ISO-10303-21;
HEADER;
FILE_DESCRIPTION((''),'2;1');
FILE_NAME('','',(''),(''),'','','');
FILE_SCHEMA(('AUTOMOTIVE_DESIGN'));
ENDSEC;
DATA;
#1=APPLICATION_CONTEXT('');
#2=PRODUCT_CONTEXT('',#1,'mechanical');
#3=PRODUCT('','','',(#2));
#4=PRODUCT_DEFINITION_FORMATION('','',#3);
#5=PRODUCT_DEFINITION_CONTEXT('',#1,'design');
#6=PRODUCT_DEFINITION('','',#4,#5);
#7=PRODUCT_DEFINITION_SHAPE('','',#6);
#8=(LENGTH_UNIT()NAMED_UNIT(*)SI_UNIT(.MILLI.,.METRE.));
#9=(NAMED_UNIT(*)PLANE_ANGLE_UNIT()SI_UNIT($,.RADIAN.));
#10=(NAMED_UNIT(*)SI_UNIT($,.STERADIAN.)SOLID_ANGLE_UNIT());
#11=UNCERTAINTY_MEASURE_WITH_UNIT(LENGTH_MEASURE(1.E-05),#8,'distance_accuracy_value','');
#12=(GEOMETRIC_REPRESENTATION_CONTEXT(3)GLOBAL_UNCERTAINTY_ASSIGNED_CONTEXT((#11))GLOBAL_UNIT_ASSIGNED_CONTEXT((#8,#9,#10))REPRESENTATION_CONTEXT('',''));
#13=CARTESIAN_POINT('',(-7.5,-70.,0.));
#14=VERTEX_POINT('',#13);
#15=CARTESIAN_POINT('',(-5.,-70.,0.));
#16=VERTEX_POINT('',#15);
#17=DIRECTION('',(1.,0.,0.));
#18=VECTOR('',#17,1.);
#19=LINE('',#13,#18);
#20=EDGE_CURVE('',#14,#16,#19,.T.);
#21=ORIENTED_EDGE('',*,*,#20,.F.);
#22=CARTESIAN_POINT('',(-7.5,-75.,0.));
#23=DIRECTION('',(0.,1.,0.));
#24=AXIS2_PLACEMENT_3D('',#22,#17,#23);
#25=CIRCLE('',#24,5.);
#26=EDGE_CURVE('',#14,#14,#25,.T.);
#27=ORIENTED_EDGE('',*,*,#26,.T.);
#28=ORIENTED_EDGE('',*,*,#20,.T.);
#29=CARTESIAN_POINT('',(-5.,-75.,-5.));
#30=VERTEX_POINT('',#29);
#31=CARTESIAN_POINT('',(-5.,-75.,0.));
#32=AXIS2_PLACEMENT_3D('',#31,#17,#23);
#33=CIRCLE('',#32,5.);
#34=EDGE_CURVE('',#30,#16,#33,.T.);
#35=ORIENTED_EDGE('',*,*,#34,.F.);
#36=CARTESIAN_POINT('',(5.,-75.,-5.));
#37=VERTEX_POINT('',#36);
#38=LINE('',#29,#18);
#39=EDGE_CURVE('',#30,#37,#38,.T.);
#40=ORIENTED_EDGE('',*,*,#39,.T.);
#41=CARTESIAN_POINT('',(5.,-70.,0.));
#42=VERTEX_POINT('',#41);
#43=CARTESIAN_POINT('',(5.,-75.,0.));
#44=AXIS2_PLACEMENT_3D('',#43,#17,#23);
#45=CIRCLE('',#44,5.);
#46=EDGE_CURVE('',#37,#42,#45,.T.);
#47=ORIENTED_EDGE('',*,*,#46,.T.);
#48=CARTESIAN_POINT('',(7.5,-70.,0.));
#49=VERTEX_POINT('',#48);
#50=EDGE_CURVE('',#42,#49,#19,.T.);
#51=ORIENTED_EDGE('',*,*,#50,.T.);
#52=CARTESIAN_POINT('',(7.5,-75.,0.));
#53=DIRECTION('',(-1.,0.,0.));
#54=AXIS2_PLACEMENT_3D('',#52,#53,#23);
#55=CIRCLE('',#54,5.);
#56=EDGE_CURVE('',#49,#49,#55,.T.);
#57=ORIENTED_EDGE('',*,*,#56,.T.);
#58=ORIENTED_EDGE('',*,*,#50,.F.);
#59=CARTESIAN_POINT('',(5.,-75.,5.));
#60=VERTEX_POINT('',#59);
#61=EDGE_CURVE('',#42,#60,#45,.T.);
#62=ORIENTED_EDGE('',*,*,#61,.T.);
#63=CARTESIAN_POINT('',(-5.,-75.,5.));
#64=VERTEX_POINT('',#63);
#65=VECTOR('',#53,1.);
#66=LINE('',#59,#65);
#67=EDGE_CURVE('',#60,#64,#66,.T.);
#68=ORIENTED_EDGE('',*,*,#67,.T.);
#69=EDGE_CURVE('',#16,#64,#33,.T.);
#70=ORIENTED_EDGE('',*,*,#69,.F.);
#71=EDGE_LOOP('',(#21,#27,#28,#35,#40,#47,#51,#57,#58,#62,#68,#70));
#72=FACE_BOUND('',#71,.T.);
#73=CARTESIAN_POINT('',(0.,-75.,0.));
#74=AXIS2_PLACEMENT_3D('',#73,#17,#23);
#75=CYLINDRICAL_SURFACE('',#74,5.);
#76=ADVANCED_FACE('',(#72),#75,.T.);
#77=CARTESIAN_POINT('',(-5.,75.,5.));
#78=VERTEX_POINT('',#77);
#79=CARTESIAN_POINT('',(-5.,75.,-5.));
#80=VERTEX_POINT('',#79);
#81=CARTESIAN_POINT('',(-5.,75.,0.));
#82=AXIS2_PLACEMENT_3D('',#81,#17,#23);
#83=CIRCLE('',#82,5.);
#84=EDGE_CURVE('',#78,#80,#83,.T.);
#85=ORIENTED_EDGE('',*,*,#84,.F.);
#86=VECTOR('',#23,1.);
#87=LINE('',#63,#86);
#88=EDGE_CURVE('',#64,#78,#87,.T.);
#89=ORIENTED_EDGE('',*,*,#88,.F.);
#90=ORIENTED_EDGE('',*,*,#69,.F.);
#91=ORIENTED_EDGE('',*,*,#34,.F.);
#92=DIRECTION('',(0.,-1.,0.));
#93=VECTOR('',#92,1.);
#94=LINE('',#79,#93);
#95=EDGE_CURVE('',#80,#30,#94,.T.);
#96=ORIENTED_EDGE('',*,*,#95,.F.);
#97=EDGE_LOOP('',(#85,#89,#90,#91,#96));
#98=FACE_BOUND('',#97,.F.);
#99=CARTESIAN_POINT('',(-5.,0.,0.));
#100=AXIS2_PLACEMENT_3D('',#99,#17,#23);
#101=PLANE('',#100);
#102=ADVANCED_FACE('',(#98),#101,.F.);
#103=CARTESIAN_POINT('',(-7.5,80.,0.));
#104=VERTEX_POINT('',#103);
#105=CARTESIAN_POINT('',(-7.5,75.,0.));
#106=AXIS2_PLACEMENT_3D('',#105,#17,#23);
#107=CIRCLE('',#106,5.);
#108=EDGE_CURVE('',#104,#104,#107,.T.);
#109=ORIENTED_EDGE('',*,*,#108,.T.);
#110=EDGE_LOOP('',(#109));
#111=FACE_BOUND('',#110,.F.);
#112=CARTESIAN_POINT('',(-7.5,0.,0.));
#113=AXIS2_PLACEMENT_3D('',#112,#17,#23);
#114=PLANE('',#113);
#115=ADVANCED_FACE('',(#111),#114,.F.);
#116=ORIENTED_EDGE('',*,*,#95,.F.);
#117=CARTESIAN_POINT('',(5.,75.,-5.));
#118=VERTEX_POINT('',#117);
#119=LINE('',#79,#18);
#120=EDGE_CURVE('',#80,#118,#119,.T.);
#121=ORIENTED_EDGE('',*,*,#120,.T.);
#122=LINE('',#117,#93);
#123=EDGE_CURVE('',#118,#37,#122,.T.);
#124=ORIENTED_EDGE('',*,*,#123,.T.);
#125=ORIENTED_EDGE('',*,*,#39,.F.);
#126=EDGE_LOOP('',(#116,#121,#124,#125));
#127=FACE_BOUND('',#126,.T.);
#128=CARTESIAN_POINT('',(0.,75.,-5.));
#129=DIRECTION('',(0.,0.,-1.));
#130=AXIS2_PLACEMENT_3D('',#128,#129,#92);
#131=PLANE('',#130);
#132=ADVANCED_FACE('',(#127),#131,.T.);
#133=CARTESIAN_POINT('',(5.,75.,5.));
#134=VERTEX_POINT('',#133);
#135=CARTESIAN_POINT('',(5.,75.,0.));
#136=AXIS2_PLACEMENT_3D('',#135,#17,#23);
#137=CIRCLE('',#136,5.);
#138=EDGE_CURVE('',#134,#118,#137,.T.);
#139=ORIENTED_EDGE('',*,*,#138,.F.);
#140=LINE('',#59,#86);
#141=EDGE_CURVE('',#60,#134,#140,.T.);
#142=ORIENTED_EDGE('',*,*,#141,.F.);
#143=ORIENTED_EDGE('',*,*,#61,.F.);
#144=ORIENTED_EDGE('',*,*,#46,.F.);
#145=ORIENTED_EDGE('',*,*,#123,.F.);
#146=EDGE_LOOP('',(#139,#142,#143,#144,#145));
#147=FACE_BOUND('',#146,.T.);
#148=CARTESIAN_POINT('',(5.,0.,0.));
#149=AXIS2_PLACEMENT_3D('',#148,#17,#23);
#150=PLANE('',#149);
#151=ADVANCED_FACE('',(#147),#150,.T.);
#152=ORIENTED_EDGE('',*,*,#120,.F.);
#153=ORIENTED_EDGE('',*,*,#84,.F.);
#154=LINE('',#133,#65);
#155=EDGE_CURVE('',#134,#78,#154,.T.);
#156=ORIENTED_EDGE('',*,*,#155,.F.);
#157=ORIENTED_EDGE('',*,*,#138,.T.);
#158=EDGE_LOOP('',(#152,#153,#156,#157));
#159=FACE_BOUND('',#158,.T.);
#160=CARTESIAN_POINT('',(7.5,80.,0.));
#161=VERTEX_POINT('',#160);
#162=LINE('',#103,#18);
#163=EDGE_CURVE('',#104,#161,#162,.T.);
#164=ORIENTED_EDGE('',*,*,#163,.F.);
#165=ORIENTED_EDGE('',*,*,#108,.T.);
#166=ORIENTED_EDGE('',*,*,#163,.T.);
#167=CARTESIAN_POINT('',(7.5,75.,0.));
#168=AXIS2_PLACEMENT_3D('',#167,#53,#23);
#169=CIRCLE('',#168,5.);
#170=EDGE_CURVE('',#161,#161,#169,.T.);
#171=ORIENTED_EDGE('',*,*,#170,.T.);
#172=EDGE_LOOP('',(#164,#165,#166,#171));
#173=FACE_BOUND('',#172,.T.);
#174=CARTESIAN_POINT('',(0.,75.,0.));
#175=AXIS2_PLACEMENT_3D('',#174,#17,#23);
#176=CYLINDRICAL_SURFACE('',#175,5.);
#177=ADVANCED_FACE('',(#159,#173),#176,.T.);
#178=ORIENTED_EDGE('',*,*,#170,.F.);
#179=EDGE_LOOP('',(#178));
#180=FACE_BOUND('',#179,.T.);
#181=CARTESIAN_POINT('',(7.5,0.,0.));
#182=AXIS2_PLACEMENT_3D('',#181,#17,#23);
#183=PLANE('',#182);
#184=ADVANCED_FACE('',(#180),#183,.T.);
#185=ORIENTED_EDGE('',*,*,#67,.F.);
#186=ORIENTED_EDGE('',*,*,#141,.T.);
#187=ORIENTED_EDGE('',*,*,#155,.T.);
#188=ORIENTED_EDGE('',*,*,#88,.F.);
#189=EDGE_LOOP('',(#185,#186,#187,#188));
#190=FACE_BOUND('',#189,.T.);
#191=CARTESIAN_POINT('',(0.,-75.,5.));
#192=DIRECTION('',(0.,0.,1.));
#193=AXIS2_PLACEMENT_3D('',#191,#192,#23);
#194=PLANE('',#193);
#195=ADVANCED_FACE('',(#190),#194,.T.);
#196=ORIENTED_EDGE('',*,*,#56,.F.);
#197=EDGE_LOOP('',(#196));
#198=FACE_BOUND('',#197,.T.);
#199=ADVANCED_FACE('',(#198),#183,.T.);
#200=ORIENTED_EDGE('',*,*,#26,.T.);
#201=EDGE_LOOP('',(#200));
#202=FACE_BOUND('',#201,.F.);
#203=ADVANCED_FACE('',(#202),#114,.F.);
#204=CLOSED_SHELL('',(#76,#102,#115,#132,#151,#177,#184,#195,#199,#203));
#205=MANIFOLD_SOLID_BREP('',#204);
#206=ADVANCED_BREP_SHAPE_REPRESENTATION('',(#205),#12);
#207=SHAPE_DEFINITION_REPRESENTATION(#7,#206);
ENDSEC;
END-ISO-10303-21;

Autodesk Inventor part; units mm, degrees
ref_plane "YZ Plane" through (0, 0, 0) normal (1, 0, 0) x (0, 1, 0)
ref_plane "XZ Plane" through (0, 0, 0) normal (0, 1, 0) x (-1, 0, 0)
ref_plane "XY Plane" through (0, 0, 0) normal (0, 0, 1) x (1, 0, 0)
sketch "スケッチ1" plane through (0, 0, 0) normal (1, 0, 0) x (0, 1, 0)
  line L0 (-75, 5) -> (75, 5)
  line L1 (75, 5) -> (75, -5)
  line L2 (75, -5) -> (-75, -5)
  line L3 (-75, -5) -> (-75, 5)
  circle A0 centre (-75, 0) radius 5
  circle A1 centre (75, 0) radius 5
  point P0 (0, 0)
  point P1 (0, 5)
  dimension "d0" = 150
  dimension "d1" = 10
  dimension "d2" = 5
  dimension "d3" = 75
extrude "押し出し1" add sketch "スケッチ1" along normal blind 5 and the other way blind 5 contours A0 L3 | L0 A1 L2 A0 | L1 A1 picked at (-73.4984, 0.7231) picked at (72.0793, -0.9468)
extrude "押し出し2" add sketch "スケッチ1" along normal blind 7.5 and the other way blind 7.5 contours A0 L3 | L3 A0 | A1 L1 | L1 A1
